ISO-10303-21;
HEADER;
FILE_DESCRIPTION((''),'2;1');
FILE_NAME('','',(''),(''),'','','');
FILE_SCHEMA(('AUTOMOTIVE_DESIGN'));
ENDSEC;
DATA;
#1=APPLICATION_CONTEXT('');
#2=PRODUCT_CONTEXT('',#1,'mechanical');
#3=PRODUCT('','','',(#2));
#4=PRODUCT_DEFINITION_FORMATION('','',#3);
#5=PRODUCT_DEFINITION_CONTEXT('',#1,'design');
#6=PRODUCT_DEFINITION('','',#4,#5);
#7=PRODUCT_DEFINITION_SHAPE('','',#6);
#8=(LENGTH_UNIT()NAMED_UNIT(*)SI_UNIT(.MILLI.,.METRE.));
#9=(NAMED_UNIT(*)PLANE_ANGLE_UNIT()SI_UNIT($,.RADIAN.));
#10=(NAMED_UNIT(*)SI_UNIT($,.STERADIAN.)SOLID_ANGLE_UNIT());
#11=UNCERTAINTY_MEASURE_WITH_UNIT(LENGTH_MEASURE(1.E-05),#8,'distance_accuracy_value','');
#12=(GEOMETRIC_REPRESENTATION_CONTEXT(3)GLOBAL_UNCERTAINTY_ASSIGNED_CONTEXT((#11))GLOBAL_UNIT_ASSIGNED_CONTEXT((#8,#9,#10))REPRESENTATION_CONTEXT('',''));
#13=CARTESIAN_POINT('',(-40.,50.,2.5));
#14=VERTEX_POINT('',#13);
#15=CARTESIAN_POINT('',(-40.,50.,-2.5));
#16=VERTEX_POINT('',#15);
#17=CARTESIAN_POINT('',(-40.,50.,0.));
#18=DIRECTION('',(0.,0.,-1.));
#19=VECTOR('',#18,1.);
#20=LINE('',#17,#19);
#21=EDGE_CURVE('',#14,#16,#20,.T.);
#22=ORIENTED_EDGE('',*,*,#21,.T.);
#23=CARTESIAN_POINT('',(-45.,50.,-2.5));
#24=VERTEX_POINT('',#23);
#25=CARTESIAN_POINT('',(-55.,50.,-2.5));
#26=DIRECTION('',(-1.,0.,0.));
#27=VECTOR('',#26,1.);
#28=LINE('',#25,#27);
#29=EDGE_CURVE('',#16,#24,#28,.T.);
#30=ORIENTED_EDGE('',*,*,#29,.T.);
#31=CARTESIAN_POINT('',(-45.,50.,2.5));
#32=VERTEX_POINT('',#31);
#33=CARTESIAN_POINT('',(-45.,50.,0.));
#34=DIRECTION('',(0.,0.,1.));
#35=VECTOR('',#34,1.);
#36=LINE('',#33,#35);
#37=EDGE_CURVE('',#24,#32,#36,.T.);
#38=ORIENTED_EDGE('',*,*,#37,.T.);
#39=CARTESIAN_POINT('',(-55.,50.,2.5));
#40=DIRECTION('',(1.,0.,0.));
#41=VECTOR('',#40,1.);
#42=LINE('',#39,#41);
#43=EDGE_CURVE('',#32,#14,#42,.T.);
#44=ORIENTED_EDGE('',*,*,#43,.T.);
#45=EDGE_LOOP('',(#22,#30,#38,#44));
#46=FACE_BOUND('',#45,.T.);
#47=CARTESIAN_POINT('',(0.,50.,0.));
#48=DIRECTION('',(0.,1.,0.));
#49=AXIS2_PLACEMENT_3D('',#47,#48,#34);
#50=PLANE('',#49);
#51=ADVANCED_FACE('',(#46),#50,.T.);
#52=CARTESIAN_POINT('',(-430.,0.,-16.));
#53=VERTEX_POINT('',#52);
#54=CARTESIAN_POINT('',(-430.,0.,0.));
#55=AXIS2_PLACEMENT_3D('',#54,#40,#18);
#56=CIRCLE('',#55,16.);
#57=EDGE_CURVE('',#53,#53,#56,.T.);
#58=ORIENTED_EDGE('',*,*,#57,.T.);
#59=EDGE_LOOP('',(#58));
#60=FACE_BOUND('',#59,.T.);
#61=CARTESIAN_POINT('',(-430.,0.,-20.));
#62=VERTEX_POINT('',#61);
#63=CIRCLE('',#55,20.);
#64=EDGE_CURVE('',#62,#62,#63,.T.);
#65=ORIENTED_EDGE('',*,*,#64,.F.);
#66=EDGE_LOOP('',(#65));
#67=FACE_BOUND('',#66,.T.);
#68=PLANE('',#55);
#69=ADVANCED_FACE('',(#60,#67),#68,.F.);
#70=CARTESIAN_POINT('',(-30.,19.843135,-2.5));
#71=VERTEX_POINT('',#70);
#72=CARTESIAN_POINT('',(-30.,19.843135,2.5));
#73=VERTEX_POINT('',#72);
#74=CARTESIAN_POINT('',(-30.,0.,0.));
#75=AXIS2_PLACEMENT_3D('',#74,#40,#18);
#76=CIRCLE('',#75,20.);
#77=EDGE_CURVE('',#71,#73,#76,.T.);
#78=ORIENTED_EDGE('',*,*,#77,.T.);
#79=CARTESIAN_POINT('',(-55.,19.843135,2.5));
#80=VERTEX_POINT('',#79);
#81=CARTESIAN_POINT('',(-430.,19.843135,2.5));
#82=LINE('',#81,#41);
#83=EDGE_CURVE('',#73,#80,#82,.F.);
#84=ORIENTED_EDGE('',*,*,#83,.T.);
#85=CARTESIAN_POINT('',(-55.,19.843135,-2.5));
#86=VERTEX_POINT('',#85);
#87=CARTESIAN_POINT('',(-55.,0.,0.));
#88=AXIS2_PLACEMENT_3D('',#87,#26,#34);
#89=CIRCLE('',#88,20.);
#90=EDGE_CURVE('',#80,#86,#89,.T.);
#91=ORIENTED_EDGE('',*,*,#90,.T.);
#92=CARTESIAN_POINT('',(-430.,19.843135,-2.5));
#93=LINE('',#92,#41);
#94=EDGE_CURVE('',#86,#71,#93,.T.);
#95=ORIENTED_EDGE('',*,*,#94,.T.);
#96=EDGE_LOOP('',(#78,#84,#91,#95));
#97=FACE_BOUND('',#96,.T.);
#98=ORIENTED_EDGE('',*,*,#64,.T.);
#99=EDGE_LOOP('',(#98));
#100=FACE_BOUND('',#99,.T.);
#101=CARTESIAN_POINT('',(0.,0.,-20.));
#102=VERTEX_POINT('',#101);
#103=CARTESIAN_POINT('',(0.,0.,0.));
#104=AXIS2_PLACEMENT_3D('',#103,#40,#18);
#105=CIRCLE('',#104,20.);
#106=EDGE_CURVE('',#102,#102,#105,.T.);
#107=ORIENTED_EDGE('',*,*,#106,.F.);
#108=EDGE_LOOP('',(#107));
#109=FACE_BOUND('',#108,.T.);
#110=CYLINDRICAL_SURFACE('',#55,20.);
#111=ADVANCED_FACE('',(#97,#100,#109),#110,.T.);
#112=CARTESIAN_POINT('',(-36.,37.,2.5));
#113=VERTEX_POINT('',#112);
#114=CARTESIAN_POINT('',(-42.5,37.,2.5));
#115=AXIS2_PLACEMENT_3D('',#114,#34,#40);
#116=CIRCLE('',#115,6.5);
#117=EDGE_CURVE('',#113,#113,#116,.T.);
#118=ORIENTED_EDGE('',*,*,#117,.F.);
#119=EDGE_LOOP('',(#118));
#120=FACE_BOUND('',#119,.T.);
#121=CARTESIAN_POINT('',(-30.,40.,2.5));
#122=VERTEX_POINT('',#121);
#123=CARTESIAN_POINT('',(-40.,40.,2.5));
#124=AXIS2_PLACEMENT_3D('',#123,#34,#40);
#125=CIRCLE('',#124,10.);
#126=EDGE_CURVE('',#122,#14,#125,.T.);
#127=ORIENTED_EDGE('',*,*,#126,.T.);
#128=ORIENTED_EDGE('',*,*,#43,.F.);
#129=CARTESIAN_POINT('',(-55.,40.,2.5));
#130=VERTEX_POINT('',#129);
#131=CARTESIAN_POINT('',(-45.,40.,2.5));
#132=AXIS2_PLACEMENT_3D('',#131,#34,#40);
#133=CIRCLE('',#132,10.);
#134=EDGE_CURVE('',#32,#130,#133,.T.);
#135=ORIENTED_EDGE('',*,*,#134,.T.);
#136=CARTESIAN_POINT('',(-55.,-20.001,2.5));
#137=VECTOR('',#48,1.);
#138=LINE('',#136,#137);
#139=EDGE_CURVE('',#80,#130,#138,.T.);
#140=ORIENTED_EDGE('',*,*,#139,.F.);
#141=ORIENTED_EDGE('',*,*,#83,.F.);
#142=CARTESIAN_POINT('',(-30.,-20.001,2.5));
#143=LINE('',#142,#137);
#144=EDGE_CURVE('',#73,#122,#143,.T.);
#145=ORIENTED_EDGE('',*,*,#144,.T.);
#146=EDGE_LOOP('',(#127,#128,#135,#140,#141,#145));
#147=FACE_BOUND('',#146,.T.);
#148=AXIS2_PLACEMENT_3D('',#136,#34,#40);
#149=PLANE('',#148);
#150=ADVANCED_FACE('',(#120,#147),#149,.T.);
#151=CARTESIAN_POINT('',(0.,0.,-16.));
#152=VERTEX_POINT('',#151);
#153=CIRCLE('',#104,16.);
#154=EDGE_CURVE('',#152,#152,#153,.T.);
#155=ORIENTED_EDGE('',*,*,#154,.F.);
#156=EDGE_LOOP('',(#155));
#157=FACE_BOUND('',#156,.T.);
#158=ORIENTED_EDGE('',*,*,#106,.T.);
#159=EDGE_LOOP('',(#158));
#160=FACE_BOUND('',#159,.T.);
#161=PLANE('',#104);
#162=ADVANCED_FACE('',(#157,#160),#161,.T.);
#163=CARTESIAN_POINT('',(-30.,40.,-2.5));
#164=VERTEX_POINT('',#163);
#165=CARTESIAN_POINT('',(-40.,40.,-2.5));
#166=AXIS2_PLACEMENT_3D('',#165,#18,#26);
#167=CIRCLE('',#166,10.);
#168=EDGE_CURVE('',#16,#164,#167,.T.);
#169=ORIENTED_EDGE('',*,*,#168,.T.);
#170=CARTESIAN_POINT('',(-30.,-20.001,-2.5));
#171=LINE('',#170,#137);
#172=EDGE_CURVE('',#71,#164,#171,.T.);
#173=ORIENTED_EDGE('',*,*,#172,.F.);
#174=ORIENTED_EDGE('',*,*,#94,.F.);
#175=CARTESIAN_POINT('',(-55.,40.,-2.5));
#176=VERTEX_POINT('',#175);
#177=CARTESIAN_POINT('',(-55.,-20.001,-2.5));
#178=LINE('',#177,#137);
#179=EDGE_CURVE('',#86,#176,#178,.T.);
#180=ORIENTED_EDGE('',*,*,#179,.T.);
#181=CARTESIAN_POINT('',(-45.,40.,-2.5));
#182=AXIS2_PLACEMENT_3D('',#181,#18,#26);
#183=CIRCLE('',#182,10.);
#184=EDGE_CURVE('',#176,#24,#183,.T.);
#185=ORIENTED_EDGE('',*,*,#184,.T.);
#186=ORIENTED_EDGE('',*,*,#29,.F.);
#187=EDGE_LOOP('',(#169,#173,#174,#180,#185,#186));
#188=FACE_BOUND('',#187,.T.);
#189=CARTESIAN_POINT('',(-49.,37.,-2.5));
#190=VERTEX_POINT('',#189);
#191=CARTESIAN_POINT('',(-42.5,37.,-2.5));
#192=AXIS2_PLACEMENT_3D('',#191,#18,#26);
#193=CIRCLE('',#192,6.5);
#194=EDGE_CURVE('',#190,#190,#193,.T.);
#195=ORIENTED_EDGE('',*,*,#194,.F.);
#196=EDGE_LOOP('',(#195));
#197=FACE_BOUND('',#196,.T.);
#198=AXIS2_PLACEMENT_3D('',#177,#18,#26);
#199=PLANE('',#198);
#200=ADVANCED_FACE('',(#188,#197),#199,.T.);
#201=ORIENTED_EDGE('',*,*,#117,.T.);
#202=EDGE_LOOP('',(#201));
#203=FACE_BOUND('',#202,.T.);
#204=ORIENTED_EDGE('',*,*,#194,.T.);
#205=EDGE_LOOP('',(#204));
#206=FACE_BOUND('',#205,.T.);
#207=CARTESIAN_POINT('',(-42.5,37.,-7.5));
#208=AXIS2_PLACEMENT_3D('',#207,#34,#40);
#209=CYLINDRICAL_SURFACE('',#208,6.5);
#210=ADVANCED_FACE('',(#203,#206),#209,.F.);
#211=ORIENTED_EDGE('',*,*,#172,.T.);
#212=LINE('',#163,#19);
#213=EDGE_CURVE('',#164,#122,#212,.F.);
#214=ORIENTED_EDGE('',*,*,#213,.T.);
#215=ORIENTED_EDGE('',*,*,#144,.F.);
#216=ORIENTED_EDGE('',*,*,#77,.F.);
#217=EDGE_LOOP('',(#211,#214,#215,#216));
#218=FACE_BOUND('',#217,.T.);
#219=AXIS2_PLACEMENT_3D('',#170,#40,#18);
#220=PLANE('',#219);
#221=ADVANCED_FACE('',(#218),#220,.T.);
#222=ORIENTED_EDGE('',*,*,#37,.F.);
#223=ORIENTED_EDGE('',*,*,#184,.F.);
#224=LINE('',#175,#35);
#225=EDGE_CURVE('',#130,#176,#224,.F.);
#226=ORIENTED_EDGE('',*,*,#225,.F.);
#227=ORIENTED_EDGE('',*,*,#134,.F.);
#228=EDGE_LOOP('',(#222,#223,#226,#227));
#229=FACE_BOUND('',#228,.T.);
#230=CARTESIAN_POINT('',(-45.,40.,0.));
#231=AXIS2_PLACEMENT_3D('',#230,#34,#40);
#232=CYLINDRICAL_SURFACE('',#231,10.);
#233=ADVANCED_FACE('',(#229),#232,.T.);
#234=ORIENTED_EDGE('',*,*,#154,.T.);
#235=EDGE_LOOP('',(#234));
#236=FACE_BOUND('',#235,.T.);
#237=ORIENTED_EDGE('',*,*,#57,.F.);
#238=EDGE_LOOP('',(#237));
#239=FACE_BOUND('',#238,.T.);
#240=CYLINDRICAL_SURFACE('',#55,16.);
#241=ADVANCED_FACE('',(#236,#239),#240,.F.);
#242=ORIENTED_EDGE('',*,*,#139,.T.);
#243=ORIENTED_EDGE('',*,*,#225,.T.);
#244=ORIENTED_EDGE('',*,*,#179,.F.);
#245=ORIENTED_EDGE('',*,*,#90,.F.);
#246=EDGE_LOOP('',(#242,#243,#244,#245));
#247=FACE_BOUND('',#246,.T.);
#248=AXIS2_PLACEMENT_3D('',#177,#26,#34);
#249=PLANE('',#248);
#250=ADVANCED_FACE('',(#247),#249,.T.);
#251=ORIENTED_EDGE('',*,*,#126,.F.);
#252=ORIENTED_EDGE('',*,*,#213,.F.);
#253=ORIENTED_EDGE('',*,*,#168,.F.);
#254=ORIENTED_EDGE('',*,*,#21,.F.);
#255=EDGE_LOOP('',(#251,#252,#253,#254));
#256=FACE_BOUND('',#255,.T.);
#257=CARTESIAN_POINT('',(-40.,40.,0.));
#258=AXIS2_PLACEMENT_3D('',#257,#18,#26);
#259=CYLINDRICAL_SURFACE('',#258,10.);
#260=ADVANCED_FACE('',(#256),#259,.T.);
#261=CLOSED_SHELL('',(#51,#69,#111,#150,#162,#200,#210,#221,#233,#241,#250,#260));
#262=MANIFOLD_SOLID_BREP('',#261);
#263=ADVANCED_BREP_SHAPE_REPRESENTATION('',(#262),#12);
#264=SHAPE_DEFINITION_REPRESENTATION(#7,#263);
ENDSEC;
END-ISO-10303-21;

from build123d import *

# Parameters (mm, degrees)
SKETCH1_R                = 20
SKETCH1_R_2              = 16
BOSS_EXTRUDE1_DEPTH      = 430
BOSS_EXTRUDE2_REACH      = 438.119
BOSS_EXTRUDE2_END_RADIUS = 20
SKETCH2_W                = 25
SKETCH2_H                = 5
FILLET1_R                = 10
SKETCH3_R                = 6.5
CUT_EXTRUDE1_DEPTH       = 10


with BuildPart() as part:
    # Sketch1 → Boss-Extrude1 (new body)
    with BuildSketch(Plane(origin=(0, 0, 0), x_dir=(0, 0, -1), z_dir=(1, 0, 0))):
        Circle(SKETCH1_R)
        Circle(SKETCH1_R_2, mode=Mode.SUBTRACT)
    extrude(amount=-BOSS_EXTRUDE1_DEPTH)

    # Boss-Extrude2: up to this cylinder (the profile starts outside it)
    boss_extrude2_end = Plane(origin=(-42.5, 0, 0), z_dir=(1, 0, 0)) * Cylinder(BOSS_EXTRUDE2_END_RADIUS, 917.238, mode=Mode.PRIVATE)
    # Sketch2 → Boss-Extrude2 (add, up to the surface)
    with BuildSketch(Plane(origin=(0, 50, 0), x_dir=(1, 0, 0), z_dir=(0, 1, 0)), mode=Mode.PRIVATE) as boss_extrude2_sk1:
        with Locations((-42.5, 0)):
            Rectangle(SKETCH2_W, SKETCH2_H)
    boss_extrude2_tool1 = extrude(boss_extrude2_sk1.sketch, amount=-BOSS_EXTRUDE2_REACH, mode=Mode.PRIVATE) - boss_extrude2_end
    add(boss_extrude2_tool1.solids().sort_by_distance((-42.5, 50, 0))[0])

    # Fillet1
    fillet1_edges = [part.edges().sort_by_distance(p)[0] for p in [
        (-30, 50, 0),
        (-55, 50, 0),
    ]]
    fillet(fillet1_edges, radius=FILLET1_R)

    # Sketch3 → Cut-Extrude1 (cut)
    with BuildSketch(Plane.XY.offset(2.5)):
        with Locations((-42.5, 37)):
            Circle(SKETCH3_R)
    extrude(amount=-CUT_EXTRUDE1_DEPTH, mode=Mode.SUBTRACT)


solid = part.part
